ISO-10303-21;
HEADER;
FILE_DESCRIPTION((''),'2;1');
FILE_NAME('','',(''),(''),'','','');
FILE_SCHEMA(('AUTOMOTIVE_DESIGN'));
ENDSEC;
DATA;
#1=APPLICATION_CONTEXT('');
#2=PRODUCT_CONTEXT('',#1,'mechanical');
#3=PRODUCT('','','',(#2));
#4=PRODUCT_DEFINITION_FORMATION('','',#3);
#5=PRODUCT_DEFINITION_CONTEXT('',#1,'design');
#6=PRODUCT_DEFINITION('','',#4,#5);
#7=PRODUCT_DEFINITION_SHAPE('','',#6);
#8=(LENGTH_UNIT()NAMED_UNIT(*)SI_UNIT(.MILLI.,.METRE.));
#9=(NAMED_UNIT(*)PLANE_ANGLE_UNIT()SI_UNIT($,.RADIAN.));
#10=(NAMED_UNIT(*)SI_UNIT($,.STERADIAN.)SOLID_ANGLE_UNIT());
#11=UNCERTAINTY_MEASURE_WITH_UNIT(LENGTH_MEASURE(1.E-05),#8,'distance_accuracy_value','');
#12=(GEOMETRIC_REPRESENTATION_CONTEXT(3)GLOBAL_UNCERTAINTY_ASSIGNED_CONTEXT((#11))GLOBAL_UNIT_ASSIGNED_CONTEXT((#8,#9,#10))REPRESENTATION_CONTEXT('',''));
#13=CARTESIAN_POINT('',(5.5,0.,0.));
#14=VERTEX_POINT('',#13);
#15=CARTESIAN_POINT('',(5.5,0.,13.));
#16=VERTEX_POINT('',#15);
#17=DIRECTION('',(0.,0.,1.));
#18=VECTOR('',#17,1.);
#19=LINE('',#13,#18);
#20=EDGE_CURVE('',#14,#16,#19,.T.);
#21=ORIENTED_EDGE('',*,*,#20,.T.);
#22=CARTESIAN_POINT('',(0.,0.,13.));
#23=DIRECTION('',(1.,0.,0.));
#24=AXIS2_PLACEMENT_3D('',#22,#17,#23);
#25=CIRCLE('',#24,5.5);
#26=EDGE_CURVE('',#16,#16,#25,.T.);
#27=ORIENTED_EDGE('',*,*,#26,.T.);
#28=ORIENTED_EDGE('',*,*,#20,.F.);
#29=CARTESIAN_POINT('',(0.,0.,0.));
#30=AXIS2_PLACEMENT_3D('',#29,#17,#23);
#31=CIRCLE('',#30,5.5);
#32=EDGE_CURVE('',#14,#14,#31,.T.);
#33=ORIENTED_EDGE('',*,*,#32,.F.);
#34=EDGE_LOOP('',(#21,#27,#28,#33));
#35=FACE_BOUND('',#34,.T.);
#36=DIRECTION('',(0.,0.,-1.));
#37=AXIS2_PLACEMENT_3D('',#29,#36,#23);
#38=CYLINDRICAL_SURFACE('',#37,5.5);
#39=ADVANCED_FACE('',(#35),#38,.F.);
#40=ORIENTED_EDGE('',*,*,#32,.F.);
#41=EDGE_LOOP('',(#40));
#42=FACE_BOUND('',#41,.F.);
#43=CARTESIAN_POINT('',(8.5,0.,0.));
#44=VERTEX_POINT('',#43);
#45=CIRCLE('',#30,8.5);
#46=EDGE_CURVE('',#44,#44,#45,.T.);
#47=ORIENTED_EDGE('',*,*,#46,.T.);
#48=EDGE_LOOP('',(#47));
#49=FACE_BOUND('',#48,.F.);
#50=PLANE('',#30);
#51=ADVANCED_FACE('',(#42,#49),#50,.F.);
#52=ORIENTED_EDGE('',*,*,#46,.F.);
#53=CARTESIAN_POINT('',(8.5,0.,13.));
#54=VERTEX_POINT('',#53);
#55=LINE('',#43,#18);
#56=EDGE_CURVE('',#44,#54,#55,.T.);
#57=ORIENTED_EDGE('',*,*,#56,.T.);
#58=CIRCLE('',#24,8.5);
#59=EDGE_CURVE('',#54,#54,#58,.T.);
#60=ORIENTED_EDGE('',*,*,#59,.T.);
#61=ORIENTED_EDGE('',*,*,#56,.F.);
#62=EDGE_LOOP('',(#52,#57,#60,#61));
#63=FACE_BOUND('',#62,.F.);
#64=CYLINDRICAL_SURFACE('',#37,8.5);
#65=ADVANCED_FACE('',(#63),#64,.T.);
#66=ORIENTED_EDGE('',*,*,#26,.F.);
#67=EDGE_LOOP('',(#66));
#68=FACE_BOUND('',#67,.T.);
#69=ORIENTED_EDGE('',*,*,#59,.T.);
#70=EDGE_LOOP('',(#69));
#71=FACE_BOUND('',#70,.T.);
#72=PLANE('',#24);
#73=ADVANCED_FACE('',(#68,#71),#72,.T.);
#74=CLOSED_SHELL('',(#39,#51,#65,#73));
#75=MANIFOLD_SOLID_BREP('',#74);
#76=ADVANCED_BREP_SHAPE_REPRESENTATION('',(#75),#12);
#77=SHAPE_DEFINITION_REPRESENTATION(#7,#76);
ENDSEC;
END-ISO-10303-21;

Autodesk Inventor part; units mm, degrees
ref_plane "YZ Plane" through (0, 0, 0) normal (1, 0, 0) x (0, 1, 0)
ref_plane "XZ Plane" through (0, 0, 0) normal (0, 1, 0) x (-1, 0, 0)
ref_plane "XY Plane" through (0, 0, 0) normal (0, 0, 1) x (1, 0, 0)
sketch "스케치9" plane through (0, 0, 0) normal (0, 0, 1) x (1, 0, 0)
  circle A0 centre (0, 0) radius 5.5
  circle A1 centre (0, 0) radius 8.5
  dimension "d40" = 11
  dimension "d41" = 17
extrude "돌출4" add sketch "스케치9" along normal blind 13
properties part number "TL20240901-10320CV-011" material "SS400"
